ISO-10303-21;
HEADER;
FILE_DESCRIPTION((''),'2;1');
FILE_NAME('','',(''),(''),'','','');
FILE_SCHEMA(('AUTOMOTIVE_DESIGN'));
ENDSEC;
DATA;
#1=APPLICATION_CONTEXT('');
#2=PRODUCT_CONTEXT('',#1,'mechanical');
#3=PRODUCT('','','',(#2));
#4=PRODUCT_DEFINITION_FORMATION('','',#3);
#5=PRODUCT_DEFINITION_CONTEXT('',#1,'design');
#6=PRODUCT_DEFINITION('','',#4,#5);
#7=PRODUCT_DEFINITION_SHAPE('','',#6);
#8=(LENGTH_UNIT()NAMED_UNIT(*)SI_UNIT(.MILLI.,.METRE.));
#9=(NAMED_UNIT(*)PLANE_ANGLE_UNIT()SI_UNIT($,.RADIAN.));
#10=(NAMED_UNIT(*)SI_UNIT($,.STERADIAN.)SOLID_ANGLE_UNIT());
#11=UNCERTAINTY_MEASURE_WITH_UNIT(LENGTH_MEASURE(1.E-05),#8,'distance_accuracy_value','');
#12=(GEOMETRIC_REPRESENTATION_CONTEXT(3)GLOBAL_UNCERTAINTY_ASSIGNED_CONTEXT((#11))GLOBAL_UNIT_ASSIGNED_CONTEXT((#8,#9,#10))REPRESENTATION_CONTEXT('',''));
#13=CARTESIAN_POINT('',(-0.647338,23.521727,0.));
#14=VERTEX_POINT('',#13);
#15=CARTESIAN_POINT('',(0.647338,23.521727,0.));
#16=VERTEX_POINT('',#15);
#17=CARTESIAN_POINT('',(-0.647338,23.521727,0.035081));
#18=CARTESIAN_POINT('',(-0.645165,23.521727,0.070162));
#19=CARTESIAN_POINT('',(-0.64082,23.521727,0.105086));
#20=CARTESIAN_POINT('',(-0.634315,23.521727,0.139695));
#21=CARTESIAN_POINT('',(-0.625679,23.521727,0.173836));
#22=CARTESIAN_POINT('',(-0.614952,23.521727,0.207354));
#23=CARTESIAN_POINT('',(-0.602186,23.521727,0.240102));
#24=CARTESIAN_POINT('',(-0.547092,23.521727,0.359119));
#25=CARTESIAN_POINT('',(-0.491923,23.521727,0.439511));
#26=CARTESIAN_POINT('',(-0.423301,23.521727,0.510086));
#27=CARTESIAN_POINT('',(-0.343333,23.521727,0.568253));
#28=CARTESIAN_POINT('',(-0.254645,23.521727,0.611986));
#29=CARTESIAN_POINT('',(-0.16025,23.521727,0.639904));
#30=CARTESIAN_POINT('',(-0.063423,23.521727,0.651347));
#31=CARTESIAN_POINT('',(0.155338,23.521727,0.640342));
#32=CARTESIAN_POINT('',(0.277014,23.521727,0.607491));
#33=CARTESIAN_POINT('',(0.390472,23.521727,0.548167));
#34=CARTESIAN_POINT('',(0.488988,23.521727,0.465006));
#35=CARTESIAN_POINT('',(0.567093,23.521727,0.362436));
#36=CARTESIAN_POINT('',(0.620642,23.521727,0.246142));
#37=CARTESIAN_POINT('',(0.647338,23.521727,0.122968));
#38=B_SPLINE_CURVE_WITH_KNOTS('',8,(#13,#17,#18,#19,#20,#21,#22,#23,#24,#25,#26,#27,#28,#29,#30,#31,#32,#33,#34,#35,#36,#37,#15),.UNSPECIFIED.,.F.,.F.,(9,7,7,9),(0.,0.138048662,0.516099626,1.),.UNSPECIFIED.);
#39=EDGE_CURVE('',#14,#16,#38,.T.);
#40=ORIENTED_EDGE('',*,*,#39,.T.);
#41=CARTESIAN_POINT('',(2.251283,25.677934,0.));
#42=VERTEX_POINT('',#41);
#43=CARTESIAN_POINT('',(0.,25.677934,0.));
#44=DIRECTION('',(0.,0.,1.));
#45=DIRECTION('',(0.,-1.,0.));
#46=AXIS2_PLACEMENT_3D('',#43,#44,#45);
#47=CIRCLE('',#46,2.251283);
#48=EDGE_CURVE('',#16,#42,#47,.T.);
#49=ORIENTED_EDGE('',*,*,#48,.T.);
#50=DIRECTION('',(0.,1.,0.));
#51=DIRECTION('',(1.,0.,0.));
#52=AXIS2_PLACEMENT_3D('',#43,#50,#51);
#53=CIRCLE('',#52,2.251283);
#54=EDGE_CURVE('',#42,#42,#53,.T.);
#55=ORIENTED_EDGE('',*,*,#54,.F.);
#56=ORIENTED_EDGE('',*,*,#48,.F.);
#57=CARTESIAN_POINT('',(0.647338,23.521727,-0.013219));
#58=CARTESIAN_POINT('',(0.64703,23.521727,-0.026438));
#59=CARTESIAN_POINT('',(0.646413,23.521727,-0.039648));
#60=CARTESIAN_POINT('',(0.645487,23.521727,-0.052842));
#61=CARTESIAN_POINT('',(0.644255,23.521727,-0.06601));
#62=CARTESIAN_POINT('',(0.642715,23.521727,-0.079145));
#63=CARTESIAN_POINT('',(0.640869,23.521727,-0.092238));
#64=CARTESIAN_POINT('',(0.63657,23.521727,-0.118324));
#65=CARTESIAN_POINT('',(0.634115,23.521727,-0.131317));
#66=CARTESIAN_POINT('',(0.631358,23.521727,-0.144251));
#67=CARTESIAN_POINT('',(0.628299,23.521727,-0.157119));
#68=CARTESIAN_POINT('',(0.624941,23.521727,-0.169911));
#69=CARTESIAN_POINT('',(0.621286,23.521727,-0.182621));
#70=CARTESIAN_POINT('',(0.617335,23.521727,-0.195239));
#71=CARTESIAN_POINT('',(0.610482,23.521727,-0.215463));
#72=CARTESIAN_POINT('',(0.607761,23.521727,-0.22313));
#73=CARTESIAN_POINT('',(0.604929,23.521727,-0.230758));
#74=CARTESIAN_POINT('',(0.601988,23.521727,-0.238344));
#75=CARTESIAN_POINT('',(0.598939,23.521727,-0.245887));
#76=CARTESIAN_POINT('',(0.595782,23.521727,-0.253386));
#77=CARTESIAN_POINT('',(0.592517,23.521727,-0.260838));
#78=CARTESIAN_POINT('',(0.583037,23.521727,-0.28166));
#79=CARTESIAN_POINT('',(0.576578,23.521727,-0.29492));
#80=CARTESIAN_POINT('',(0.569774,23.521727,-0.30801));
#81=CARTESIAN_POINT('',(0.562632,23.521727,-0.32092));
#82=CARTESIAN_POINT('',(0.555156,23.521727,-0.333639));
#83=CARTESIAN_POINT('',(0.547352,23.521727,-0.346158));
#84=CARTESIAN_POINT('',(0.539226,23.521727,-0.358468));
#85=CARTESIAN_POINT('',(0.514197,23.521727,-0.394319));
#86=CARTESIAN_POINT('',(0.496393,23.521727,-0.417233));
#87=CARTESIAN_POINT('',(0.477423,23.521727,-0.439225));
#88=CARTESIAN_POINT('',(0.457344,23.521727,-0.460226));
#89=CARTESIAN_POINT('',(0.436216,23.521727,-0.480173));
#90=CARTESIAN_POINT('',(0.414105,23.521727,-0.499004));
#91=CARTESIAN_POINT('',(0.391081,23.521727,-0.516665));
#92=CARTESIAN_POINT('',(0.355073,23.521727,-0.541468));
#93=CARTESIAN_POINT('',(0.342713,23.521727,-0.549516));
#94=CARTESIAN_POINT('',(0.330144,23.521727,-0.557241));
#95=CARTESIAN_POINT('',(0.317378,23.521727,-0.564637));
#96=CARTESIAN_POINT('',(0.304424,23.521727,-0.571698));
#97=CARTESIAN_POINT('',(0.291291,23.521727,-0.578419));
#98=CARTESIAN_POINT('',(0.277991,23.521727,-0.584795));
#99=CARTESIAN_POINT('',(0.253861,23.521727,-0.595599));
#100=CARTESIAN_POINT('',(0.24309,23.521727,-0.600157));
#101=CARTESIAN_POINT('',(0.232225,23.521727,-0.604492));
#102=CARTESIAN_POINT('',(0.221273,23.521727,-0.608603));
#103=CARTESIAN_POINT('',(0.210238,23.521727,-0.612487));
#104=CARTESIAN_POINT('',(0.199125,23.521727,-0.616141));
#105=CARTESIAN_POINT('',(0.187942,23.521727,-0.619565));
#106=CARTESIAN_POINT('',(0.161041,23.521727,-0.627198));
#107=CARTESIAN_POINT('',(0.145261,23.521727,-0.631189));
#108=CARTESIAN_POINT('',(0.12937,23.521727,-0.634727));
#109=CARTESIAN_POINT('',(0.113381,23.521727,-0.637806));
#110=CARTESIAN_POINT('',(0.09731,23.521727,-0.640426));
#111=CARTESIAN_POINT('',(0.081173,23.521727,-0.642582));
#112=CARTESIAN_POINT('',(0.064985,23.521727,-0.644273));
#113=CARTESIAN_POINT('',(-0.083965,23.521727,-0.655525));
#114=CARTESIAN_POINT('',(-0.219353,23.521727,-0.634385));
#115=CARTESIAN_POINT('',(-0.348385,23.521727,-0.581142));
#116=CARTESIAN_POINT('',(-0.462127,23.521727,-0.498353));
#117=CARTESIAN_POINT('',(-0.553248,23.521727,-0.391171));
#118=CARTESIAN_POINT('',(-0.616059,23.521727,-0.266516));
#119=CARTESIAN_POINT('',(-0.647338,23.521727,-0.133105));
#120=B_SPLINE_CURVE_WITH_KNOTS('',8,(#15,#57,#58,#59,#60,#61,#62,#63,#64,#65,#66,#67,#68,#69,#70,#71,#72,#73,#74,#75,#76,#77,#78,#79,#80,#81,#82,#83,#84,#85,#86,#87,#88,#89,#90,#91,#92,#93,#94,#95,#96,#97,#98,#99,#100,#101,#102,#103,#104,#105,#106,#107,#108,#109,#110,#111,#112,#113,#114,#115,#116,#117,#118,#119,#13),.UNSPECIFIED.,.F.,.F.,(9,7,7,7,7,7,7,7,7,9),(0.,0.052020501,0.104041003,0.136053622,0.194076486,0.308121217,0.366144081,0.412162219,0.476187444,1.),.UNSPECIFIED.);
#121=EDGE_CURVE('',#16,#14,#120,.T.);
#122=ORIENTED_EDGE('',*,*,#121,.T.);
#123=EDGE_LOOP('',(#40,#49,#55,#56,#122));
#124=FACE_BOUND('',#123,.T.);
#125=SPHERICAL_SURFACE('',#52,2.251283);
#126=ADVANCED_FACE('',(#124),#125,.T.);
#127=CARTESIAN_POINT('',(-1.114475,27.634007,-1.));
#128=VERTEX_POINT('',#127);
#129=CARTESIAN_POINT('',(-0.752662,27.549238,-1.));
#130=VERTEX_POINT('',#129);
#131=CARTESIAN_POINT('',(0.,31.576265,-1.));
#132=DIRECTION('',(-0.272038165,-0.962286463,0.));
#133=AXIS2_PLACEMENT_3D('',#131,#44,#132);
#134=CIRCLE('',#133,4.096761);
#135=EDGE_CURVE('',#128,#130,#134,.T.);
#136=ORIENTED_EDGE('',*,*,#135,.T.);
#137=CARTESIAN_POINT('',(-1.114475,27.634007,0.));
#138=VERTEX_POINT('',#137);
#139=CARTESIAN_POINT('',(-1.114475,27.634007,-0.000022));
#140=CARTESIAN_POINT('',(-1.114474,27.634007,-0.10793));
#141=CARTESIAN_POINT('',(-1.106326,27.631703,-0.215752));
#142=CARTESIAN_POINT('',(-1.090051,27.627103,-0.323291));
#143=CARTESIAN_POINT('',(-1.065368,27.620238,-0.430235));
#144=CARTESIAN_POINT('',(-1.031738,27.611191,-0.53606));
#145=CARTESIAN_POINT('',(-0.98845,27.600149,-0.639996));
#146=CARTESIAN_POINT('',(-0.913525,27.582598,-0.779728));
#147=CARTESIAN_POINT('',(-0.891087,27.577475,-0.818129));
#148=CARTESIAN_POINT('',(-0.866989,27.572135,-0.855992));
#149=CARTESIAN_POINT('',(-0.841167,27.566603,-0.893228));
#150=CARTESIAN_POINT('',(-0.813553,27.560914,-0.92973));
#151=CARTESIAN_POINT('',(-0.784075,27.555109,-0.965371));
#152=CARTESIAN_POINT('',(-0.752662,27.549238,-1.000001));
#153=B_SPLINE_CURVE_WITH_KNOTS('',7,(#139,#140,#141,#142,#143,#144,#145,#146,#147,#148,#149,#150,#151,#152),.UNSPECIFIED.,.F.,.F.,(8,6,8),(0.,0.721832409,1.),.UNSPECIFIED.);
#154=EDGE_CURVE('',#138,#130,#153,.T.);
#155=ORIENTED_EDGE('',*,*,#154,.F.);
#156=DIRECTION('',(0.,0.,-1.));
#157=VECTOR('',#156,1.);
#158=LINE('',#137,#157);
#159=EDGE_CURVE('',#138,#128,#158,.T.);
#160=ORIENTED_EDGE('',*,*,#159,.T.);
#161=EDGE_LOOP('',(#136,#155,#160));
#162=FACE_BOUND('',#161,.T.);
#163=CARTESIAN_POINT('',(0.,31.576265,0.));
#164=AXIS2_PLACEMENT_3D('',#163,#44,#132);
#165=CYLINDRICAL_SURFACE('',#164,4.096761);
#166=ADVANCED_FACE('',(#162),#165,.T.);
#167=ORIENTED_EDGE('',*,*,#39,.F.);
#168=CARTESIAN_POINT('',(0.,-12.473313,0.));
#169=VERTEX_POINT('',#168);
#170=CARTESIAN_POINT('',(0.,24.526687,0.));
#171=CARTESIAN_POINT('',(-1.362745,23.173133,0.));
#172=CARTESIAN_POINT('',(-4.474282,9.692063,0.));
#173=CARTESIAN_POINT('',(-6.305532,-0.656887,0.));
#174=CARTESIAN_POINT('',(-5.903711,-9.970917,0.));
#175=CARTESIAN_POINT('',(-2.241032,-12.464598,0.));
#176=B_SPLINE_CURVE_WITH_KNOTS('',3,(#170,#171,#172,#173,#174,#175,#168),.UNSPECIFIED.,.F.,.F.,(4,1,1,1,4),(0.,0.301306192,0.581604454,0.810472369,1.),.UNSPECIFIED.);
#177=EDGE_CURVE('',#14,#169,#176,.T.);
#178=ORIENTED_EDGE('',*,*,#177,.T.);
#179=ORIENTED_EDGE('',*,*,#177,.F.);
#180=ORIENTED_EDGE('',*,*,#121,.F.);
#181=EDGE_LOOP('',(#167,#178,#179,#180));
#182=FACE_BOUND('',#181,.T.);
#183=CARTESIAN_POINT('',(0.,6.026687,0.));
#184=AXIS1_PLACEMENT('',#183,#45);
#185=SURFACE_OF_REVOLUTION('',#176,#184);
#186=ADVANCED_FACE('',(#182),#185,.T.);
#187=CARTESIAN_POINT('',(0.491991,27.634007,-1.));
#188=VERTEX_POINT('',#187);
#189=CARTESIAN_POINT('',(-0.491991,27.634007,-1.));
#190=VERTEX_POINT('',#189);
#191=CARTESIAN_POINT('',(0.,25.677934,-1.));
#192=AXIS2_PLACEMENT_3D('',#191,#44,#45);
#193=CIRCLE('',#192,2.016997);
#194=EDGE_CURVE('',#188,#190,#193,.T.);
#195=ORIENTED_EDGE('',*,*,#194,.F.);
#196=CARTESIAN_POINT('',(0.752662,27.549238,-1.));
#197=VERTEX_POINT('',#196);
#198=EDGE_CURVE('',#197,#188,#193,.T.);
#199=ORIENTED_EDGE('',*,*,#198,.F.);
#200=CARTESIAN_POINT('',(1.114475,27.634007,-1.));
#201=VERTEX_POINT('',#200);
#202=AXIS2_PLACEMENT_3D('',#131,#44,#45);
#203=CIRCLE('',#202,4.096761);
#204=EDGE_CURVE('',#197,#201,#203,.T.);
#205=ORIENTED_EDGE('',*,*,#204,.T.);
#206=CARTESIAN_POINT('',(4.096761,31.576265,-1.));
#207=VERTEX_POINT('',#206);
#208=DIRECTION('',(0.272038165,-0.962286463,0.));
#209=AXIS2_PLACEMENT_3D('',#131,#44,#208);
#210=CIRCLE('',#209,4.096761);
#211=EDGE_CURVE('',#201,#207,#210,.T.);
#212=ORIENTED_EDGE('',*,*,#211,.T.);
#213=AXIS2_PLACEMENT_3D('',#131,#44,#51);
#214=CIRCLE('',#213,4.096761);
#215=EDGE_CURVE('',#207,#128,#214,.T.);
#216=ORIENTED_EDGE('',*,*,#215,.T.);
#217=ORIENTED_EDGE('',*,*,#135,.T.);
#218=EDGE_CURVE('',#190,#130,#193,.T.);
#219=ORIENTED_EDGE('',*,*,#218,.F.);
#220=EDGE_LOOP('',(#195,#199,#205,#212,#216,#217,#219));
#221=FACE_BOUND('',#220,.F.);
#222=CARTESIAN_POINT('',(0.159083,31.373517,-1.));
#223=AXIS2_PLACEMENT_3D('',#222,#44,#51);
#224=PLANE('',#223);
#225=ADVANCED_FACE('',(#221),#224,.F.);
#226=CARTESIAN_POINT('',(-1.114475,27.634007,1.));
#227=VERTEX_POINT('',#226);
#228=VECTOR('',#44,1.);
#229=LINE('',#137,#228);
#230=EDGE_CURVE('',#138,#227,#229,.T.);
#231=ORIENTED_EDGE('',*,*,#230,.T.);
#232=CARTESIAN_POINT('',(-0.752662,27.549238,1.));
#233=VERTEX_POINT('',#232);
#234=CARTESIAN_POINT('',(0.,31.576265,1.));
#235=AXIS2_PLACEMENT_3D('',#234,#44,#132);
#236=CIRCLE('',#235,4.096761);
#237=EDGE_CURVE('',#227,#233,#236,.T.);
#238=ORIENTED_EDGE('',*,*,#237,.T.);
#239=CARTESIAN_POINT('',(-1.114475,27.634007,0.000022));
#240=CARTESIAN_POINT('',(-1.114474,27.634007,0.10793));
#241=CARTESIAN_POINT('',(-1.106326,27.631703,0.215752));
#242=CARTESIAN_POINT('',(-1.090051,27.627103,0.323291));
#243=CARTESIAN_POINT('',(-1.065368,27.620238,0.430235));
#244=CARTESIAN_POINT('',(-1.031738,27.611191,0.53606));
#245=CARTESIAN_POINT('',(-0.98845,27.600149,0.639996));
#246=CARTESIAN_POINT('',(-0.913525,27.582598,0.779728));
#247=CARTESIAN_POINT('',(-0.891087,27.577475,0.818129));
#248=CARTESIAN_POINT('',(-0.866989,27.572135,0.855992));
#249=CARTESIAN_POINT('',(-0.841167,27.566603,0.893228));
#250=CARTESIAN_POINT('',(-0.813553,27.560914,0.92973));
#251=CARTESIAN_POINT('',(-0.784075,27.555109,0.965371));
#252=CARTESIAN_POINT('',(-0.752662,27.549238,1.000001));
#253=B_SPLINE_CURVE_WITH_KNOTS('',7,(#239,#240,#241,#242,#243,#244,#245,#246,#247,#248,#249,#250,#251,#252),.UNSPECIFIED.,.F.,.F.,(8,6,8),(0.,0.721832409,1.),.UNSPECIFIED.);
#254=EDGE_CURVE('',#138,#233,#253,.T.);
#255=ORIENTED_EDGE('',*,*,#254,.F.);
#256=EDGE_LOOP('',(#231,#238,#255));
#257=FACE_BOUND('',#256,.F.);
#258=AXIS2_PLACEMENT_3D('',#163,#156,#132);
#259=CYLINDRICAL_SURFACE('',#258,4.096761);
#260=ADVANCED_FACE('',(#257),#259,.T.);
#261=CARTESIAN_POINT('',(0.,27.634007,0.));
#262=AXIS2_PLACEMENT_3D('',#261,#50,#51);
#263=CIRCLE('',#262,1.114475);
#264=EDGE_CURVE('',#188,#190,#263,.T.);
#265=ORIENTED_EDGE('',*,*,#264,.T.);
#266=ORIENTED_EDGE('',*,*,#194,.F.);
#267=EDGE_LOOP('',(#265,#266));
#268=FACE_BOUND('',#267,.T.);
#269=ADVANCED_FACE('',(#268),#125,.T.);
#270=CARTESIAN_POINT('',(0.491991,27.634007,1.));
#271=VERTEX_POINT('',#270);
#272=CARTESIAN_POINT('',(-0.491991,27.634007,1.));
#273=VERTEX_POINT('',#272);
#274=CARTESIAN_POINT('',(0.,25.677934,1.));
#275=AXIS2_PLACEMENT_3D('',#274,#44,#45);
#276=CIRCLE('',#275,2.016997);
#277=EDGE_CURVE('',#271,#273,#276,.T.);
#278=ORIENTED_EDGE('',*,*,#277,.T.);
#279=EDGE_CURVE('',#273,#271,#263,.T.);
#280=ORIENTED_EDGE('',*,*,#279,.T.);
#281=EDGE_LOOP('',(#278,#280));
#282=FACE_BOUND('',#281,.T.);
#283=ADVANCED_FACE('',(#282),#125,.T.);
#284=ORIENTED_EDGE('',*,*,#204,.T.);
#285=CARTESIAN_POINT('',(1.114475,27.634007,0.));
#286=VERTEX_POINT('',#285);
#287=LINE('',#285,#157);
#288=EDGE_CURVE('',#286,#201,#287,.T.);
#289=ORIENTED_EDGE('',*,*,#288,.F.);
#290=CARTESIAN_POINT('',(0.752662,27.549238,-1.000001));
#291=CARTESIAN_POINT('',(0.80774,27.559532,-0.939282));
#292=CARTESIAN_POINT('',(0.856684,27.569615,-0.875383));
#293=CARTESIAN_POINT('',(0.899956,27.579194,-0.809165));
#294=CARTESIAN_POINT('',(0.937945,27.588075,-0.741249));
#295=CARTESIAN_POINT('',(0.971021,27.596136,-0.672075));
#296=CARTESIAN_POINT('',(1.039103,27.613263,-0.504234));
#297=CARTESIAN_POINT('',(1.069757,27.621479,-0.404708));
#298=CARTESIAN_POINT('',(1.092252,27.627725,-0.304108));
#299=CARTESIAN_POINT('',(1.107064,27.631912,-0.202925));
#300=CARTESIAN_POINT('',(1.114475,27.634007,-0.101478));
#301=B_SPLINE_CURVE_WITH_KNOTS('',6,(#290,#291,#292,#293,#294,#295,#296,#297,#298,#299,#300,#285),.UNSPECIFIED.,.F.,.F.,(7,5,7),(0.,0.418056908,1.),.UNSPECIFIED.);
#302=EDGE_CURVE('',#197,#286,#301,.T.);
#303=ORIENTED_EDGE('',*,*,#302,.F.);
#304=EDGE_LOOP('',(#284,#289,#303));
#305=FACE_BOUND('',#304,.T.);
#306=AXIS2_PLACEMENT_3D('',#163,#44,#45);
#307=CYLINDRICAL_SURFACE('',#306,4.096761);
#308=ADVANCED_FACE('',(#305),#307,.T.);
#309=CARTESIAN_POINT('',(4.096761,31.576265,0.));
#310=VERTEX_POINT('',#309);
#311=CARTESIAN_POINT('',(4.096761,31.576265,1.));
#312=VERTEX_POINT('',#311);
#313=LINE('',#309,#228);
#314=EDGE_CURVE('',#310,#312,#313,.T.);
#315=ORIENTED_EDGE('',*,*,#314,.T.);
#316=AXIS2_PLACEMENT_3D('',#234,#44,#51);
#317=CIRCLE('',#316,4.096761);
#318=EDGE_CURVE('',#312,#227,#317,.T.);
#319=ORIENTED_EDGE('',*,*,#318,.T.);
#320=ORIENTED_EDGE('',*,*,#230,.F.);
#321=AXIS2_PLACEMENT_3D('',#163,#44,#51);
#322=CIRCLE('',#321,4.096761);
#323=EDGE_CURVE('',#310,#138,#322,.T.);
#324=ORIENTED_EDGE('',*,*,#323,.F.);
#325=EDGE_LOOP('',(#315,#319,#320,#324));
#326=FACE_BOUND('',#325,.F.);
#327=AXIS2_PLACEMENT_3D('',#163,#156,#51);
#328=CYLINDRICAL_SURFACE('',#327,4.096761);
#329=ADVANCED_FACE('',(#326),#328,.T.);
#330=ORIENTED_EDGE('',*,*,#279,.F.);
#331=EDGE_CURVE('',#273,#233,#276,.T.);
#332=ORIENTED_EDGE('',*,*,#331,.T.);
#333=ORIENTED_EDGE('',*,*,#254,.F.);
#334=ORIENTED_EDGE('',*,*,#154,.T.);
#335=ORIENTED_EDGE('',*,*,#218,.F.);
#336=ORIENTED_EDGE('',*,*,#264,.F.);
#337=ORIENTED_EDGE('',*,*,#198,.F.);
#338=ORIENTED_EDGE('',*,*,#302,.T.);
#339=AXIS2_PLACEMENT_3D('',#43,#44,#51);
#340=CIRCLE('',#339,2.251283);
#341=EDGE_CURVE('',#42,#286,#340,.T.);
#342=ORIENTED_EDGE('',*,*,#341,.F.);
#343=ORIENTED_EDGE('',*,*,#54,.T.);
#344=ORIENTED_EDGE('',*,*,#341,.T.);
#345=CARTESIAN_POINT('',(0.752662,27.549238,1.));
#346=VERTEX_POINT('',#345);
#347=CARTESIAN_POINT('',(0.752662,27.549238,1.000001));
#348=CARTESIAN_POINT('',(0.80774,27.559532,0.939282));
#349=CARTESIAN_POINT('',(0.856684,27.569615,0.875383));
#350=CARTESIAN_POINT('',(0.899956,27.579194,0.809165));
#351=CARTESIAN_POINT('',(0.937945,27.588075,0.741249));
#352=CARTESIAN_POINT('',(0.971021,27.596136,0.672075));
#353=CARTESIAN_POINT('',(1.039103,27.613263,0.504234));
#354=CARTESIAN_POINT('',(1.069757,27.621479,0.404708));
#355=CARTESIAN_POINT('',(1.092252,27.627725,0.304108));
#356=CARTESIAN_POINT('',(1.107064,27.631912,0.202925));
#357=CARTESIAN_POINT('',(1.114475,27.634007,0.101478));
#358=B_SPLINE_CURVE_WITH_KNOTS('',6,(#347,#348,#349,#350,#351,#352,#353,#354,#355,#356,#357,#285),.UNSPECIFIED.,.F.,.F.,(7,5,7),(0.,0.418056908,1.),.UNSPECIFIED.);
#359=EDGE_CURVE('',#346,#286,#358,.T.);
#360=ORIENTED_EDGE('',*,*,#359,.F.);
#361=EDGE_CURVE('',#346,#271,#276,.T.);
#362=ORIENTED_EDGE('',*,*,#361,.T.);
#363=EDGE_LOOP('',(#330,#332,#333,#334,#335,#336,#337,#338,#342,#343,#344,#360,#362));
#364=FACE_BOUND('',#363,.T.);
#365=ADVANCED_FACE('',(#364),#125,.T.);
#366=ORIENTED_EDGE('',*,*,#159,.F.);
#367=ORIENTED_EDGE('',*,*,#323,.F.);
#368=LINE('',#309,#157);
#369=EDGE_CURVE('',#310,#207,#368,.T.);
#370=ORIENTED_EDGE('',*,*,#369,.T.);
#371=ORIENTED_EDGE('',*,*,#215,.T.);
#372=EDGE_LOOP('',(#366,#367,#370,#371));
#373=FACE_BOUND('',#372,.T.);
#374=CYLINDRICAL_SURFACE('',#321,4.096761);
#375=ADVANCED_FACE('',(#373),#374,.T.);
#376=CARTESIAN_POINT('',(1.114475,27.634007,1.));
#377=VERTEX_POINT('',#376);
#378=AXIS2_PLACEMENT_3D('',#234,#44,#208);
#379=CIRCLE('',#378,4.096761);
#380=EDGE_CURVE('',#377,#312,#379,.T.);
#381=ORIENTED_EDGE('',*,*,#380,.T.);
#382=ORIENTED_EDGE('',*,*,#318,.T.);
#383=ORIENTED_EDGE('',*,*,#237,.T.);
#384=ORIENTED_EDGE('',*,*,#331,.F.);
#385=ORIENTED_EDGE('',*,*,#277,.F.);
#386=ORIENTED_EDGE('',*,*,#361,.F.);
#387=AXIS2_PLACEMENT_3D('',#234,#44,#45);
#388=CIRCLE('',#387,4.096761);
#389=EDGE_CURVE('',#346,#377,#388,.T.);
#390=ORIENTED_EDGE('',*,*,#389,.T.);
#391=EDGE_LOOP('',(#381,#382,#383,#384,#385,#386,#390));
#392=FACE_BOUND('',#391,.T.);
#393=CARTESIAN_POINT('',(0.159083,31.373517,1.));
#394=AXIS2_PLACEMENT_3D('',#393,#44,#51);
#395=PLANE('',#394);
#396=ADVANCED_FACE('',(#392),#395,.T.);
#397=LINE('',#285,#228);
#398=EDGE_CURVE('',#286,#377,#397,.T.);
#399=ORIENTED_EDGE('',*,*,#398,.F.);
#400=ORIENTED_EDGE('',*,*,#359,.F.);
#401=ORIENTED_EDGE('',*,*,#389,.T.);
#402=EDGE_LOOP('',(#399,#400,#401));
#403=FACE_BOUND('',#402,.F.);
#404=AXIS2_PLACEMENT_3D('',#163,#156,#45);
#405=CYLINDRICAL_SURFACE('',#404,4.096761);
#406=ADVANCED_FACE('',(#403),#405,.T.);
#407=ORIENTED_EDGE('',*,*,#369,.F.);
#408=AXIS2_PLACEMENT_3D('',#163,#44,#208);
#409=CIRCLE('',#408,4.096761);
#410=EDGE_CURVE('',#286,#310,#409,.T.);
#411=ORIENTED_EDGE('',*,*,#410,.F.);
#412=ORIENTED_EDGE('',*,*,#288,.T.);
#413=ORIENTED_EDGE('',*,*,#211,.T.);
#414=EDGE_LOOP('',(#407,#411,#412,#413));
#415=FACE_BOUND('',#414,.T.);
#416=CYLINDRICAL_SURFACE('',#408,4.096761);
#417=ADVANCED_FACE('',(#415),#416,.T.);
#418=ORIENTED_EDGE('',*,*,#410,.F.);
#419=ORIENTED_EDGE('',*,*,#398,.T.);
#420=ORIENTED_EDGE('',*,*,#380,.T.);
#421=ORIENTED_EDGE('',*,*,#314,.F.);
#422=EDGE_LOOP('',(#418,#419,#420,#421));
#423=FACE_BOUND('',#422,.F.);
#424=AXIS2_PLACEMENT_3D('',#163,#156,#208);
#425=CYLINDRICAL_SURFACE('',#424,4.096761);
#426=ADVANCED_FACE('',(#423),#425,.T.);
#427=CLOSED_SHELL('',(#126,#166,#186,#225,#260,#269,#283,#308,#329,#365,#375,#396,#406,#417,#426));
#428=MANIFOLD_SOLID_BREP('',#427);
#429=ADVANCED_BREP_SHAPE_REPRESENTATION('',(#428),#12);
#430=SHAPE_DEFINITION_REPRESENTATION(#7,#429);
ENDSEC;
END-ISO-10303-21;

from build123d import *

# Parameters (mm, degrees)
F4_DEPTH      = 1
F4_DEPTH_BACK = 1


with BuildPart() as f1:
    # F0 (on Top) → F1 (revolve)
    with BuildSketch(Plane.XY):
        with BuildLine():
            Line((0, -12.473312679), (0, 24.526687321))
            add(Edge.make_bspline(
                [(0, 24.526687321), (-1.3627446024, 23.1731329113), (-4.4742820982, 9.6920630976), (-6.3055321793, -0.6568871217), (-5.9037112934, -9.9709171664), (-2.2410321159, -12.4645982367), (0, -12.473312679)],
                knots=[0, 0, 0, 0, 0.3013061916, 0.5816044542, 0.8104723691, 1, 1, 1, 1], degree=3))
        make_face()
    revolve(axis=Axis((0, 6.026687321, 0), (0, -1, 0)))

    # F2 (on Top) → F3 (revolve)
    with BuildSketch(Plane.XY):
        with BuildLine():
            Line((0, 27.9292177189), (0, 27.4795040748))
            ThreePointArc((0, 27.4795040748), (0.5625669558, 27.5183137348), (1.1144752305, 27.6340074069))
            ThreePointArc((1.1144752305, 27.6340074069), (0.5764555854, 27.8541640655), (0, 27.9292177189))
        make_face()
        with BuildLine():
            Line((0, 27.4795040748), (0, 23.426650859))
            ThreePointArc((0, 23.426650859), (1.5918977797, 24.0860365093), (2.2512834299, 25.677934289))
            ThreePointArc((2.2512834299, 25.677934289), (1.9464424858, 26.8091454679), (1.1144752305, 27.6340074069))
            ThreePointArc((1.1144752305, 27.6340074069), (0.5625669558, 27.5183137348), (0, 27.4795040748))
        make_face()
    revolve(axis=Axis((0, 25.677934289, 0), (0, 1, 0)))

    # F2 (on Top) → F4 (join, two sides)
    with BuildSketch(Plane.XY) as f4_sk:
        with BuildLine():
            ThreePointArc((4.0967605748, 31.5762646496), (-2.4716097003, 34.8434641686), (-1.1144752305, 27.6340074069))
            ThreePointArc((-1.1144752305, 27.6340074069), (-0.5764555854, 27.8541640655), (0, 27.9292177189))
            ThreePointArc((0, 27.9292177189), (0.5764555854, 27.8541640655), (1.1144752305, 27.6340074069))
            ThreePointArc((1.1144752305, 27.6340074069), (3.2671995189, 29.1046549493), (4.0967605748, 31.5762646496))
        make_face()
        with BuildLine():
            Line((0, 27.9292177189), (0, 27.4795040748))
            ThreePointArc((0, 27.4795040748), (0.5625669558, 27.5183137348), (1.1144752305, 27.6340074069))
            ThreePointArc((1.1144752305, 27.6340074069), (0.5764555854, 27.8541640655), (0, 27.9292177189))
        make_face()
        with BuildLine():
            ThreePointArc((0, 27.9292177189), (-0.5764555854, 27.8541640655), (-1.1144752305, 27.6340074069))
            ThreePointArc((-1.1144752305, 27.6340074069), (-0.5625669558, 27.5183137348), (0, 27.4795040748))
            Line((0, 27.4795040748), (0, 27.9292177189))
        make_face()
    extrude(amount=F4_DEPTH)
    extrude(f4_sk.sketch, amount=-F4_DEPTH_BACK)


solid = f1.part
